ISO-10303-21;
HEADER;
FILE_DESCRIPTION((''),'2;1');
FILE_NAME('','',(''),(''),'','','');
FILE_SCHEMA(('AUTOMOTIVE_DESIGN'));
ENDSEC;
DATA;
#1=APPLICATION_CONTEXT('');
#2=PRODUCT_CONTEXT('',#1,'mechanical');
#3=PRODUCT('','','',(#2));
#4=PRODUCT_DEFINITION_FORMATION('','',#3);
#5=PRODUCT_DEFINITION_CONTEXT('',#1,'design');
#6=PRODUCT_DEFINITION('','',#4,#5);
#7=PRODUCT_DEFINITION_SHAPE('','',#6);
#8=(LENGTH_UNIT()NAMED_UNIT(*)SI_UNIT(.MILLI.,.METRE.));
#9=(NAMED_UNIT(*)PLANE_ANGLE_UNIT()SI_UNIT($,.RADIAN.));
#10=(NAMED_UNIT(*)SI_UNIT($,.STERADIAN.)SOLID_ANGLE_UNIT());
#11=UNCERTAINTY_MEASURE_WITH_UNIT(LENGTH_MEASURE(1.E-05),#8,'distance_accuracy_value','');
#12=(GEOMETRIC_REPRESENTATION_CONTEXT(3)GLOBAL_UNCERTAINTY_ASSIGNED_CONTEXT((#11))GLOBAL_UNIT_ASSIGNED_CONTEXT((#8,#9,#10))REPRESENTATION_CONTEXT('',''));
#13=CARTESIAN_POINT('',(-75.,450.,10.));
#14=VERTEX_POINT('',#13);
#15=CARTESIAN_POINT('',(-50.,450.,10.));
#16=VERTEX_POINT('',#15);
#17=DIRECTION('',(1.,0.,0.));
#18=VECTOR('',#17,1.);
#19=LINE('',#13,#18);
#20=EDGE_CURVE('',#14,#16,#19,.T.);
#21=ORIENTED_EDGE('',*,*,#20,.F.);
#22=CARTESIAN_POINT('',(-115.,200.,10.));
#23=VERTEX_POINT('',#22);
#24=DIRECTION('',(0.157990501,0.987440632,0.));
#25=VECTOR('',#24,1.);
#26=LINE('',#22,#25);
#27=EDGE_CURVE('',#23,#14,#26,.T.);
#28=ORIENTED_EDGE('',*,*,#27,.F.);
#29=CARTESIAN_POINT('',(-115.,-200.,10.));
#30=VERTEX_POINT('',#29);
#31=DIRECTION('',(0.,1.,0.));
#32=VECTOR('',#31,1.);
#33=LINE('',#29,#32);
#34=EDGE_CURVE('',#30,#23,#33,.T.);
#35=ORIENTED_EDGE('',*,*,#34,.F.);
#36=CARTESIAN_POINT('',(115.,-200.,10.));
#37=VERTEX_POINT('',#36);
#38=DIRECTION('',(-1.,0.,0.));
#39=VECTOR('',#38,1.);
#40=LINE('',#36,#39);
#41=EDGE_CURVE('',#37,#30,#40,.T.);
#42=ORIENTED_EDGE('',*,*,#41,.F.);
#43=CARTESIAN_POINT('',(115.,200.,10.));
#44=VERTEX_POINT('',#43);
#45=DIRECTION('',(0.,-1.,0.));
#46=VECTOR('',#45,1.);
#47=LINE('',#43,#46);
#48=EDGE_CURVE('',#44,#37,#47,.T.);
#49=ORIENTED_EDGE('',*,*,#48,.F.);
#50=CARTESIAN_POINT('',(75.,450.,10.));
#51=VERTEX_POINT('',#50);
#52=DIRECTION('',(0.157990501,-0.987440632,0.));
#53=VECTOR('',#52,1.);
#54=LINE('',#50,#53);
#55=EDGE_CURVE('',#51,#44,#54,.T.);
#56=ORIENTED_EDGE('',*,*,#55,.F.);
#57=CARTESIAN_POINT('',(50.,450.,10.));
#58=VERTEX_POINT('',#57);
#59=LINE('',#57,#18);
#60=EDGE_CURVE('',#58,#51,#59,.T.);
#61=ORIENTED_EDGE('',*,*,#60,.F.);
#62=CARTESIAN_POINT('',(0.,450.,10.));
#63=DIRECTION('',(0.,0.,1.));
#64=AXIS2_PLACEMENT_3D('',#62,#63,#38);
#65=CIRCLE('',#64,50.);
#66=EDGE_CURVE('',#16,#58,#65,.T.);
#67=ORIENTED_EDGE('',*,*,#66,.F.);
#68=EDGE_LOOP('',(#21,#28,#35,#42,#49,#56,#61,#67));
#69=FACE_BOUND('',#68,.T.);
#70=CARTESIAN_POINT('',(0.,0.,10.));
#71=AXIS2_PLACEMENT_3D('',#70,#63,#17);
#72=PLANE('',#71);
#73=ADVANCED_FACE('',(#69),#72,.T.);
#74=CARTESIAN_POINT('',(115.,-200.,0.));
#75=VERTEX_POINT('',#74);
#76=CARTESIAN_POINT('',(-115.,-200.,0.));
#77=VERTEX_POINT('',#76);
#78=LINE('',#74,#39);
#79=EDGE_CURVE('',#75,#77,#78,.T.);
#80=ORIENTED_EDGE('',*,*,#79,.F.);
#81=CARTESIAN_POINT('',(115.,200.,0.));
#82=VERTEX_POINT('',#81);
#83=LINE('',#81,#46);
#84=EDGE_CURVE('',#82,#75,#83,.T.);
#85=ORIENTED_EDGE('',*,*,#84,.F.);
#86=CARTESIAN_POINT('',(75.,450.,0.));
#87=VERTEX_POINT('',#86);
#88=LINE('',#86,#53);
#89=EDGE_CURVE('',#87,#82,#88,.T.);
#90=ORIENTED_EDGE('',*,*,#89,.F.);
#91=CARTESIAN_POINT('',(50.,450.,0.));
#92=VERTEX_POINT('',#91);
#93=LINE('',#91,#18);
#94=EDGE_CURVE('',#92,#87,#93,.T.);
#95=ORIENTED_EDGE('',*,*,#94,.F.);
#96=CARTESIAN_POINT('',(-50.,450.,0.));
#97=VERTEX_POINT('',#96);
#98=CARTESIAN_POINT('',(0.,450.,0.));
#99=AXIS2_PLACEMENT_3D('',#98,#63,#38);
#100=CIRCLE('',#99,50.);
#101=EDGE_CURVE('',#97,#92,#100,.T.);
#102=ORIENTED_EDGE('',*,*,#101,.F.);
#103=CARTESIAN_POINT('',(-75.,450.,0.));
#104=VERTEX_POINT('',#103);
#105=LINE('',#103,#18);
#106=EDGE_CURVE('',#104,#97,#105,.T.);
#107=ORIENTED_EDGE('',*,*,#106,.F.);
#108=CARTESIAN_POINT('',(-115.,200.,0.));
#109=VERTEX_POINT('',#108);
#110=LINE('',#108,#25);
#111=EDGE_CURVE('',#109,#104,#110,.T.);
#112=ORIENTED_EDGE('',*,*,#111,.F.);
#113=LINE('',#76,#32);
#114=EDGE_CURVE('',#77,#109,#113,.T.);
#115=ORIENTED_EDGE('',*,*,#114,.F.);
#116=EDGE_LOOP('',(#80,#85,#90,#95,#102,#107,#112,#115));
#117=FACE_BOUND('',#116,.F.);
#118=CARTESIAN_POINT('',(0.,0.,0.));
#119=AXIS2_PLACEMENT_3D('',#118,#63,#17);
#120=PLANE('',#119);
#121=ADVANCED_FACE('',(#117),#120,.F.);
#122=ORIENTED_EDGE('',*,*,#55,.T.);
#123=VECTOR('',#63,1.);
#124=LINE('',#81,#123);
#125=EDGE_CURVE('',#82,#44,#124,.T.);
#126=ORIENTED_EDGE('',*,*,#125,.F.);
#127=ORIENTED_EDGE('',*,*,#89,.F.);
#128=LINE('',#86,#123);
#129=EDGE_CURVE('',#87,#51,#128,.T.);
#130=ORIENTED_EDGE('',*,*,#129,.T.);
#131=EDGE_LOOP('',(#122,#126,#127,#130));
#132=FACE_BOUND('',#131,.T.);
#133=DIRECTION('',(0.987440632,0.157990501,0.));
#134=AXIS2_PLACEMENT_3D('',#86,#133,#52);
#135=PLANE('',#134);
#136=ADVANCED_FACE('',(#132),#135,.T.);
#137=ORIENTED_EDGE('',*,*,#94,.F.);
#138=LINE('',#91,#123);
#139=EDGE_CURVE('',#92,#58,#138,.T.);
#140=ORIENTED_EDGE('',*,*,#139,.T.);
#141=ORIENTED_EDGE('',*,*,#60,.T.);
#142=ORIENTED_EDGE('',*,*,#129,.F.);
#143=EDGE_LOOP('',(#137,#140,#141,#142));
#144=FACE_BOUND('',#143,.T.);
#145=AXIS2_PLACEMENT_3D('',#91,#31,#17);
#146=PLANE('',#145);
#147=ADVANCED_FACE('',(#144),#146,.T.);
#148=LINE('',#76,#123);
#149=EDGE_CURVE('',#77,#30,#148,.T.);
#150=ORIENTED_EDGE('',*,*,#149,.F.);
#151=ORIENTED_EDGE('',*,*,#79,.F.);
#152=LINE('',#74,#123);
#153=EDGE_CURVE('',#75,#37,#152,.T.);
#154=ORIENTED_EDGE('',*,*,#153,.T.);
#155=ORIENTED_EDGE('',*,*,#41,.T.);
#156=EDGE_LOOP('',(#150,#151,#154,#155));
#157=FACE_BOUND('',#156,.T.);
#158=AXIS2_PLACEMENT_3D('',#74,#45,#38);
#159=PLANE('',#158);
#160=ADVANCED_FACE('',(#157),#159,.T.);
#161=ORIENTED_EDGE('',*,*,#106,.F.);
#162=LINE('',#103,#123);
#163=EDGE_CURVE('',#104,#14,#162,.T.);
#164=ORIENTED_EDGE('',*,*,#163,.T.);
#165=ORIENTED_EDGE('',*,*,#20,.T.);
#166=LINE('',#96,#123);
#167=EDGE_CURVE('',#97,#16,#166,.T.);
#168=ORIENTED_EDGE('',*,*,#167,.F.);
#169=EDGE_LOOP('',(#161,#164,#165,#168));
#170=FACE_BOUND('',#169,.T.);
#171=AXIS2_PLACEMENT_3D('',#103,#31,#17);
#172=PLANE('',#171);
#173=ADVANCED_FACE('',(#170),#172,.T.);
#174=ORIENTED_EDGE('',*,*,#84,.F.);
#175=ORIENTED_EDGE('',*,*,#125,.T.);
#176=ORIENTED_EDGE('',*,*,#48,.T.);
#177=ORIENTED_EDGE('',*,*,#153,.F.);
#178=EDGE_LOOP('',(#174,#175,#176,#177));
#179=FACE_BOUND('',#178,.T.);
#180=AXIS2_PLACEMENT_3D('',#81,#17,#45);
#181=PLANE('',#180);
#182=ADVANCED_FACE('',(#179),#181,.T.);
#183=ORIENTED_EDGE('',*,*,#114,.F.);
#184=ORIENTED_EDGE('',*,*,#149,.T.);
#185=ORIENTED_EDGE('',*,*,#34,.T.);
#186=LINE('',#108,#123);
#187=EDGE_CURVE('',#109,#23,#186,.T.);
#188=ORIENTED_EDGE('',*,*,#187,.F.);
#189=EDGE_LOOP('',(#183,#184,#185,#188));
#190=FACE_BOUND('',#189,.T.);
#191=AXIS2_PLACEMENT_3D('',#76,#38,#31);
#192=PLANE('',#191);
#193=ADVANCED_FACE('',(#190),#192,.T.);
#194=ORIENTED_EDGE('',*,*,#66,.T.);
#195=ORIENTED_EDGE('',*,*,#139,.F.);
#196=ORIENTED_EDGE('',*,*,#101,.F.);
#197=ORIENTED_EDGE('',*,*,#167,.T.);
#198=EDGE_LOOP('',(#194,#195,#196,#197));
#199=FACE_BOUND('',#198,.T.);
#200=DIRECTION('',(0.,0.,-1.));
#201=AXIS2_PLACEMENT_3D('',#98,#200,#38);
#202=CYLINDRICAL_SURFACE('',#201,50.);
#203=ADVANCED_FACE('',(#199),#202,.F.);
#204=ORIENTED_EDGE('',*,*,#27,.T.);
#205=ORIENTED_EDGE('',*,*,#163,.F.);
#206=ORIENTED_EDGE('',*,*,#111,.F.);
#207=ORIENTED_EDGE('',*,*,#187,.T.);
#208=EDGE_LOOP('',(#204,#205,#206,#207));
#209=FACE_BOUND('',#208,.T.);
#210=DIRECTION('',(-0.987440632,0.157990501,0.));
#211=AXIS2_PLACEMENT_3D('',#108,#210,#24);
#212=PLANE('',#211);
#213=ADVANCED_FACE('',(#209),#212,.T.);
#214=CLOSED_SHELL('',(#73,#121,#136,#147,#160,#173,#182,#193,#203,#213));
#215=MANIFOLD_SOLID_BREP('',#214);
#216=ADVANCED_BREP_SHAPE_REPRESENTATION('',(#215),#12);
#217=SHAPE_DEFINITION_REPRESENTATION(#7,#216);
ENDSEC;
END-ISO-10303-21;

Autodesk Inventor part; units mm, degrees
ref_plane "YZ Plane" through (0, 0, 0) normal (1, 0, 0) x (0, 1, 0)
ref_plane "XZ Plane" through (0, 0, 0) normal (0, 1, 0) x (-1, 0, 0)
ref_plane "XY Plane" through (0, 0, 0) normal (0, 0, 1) x (1, 0, 0)
sketch "Sketch1" plane through (0, 0, 0) normal (0, 0, 1) x (1, 0, 0)
  line L0 (115, 200) -> (115, -200)
  line L1 (115, -200) -> (-115, -200)
  line L2 (-115, -200) -> (-115, 200)
  arc A0 (-50, 450) -> (50, 450) centre (0, 450) ccw
  line L3 (-115, 200) -> (-75, 450)
  line L4 (75, 450) -> (115, 200)
  line L5 (-75, 450) -> (-50, 450)
  line L6 (50, 450) -> (75, 450)
  point P0 (0, 0)
  dimension "d1" = 400
  dimension "d2" = 115
  dimension "d3" = 200
  dimension "d6" = 100
  dimension "d9" = 150
  dimension "d10" = 25
  dimension "d11" = 25
  dimension "d14" = 450
  dimension "d15" = 230
  dimension "d16" = 170.91
  dimension "d17" = 170.91
  dimension "d18" = 450
  dimension "d19" = 450
  dimension "d20" = 115
extrude "Extrusion1" add sketch "Sketch1" along normal blind 10
equation "\"d2\" = 0.5 * d0"
equation "\"d3\" = 0.5 * d1"
equation "\"d0\" = 230"
properties part number "Suporte" material "Lead"
